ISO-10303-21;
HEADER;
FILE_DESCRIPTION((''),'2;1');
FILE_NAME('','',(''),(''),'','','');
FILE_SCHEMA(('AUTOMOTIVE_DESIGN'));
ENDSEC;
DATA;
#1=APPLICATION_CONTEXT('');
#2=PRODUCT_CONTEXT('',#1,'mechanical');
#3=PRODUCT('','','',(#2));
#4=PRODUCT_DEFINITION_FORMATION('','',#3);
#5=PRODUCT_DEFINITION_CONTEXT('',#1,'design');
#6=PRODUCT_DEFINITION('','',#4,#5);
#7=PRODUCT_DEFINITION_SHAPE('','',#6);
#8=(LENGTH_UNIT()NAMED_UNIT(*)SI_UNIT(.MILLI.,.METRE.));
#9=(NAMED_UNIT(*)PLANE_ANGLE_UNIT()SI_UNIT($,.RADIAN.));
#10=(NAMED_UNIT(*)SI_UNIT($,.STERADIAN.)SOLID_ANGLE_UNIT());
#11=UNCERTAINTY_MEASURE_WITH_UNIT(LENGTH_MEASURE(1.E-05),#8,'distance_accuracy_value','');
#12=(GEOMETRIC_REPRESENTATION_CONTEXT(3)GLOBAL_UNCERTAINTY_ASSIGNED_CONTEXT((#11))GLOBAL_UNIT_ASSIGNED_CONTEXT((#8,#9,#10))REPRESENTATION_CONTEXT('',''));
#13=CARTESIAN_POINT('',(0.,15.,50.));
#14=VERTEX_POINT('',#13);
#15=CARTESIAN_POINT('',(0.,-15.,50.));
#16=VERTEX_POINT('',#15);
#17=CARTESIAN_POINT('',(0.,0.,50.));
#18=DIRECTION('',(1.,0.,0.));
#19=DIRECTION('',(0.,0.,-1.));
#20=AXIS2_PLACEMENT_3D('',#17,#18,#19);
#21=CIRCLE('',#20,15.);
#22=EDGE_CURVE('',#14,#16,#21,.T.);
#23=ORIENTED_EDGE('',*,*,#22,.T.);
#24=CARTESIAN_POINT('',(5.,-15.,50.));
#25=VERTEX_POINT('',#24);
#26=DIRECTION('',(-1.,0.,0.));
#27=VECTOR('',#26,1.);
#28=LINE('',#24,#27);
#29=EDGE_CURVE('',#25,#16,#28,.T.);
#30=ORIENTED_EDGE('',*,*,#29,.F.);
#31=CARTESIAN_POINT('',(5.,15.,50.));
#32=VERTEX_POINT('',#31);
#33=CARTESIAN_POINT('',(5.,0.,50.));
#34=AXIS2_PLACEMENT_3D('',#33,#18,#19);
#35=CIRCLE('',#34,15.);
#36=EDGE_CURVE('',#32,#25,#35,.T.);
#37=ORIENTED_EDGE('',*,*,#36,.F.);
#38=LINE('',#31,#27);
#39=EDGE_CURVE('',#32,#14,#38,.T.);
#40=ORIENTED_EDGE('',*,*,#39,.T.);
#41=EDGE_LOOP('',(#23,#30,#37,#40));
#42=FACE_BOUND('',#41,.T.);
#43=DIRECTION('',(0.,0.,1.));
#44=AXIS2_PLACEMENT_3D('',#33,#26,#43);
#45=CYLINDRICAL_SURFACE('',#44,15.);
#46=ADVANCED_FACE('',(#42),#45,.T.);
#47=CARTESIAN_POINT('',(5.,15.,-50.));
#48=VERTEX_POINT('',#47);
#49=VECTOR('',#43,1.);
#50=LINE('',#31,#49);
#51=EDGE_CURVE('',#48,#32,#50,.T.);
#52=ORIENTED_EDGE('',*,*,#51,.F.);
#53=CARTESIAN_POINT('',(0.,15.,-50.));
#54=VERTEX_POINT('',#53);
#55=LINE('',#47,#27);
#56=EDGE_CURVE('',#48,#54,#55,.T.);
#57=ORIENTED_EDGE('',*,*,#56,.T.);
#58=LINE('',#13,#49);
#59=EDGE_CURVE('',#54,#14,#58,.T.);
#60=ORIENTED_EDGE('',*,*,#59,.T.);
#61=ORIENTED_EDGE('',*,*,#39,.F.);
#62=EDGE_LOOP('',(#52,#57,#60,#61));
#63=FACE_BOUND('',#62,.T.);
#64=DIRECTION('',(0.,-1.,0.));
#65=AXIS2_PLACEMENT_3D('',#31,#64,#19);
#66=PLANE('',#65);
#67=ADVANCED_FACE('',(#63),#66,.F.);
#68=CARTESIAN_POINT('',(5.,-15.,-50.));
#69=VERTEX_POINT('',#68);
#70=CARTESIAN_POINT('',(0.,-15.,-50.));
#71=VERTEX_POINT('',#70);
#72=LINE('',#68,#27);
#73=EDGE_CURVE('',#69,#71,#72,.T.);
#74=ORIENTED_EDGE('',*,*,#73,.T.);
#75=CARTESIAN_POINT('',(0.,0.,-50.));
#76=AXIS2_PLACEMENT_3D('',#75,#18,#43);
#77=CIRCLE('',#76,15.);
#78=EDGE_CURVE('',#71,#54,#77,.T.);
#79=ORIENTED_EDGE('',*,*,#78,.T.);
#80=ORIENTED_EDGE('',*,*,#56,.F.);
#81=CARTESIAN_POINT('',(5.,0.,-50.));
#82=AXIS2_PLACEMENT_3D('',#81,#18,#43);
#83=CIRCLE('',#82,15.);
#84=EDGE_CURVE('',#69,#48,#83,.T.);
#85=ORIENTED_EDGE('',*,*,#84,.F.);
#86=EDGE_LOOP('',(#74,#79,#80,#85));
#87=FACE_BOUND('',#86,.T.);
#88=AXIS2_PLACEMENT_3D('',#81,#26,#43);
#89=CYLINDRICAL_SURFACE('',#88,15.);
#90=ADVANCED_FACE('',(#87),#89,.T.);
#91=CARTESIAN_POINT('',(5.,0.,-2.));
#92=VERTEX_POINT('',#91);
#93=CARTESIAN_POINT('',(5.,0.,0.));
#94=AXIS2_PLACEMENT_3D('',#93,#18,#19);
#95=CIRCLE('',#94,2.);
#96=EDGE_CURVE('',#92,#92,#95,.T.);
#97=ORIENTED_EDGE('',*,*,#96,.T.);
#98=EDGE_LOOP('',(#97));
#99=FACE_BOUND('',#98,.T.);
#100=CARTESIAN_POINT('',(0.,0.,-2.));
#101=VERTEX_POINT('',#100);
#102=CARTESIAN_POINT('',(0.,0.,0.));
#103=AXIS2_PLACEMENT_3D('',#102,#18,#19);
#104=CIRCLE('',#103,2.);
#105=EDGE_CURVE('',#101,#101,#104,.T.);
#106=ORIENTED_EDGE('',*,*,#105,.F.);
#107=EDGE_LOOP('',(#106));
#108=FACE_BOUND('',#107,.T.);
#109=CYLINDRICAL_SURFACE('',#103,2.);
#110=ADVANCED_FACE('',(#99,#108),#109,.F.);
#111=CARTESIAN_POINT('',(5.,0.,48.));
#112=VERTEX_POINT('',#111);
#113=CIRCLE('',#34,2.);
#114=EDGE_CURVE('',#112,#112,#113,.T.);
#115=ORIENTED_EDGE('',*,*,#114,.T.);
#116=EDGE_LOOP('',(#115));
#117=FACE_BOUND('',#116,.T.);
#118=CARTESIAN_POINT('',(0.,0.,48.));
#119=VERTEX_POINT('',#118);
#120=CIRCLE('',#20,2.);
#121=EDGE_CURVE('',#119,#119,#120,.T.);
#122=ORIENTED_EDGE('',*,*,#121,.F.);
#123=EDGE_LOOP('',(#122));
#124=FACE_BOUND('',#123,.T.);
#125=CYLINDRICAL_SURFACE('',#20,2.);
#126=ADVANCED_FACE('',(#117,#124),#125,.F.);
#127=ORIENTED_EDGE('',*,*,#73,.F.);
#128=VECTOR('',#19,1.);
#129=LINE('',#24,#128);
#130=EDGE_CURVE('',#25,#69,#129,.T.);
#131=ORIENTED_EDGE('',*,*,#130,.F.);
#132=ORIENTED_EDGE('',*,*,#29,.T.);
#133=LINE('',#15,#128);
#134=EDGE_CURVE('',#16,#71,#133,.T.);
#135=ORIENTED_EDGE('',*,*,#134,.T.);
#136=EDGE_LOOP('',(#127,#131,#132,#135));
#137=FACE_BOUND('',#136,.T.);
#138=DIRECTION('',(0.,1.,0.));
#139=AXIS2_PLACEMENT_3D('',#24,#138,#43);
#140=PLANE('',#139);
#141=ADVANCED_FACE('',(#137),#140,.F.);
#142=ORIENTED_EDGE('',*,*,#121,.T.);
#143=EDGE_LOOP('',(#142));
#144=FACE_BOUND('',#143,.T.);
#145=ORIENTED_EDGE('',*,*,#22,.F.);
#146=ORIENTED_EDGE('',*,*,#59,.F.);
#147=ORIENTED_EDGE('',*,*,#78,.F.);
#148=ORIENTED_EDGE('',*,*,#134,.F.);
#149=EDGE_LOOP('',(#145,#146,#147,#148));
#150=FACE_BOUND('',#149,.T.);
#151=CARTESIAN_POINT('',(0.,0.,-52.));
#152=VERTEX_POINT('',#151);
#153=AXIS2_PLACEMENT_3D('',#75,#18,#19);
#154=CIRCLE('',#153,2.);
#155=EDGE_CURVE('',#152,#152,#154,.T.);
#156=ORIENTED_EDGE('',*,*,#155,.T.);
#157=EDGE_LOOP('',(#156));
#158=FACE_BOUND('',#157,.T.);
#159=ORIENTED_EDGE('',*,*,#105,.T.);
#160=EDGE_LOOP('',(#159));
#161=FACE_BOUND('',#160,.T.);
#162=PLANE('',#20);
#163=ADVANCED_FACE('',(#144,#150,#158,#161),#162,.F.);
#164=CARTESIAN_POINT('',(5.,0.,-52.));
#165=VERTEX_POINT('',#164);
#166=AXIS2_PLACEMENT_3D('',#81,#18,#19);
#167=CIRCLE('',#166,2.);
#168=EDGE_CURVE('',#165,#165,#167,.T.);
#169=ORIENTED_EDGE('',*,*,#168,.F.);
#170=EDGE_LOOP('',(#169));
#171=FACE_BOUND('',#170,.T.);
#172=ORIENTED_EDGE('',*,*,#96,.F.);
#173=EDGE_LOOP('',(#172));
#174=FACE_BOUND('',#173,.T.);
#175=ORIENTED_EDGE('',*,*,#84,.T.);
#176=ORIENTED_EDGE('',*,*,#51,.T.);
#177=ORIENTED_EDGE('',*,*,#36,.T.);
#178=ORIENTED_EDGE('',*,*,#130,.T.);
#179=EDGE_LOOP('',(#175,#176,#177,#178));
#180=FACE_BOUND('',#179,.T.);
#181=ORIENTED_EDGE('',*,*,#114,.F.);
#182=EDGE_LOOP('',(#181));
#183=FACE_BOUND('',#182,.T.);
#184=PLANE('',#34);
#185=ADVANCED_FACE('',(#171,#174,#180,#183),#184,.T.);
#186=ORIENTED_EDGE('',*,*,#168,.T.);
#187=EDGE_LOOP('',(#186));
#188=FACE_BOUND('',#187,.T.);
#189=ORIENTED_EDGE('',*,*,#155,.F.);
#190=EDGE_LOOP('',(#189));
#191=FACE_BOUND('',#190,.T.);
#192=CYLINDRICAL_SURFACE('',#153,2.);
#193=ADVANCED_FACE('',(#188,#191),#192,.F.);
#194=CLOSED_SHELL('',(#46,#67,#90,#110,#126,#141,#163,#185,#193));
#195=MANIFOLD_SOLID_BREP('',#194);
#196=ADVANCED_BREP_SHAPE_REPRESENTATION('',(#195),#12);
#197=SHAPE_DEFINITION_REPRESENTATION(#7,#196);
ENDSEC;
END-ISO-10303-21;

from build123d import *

# Parameters (mm, degrees)
ESTRUSIONE_ESTRUSIONE1_DEPTH = 5
SCHIZZO2_R                   = 2
TAGLIO_ESTRUSIONE1_DEPTH     = 6


with BuildPart() as part:
    # Schizzo1 → Estrusione-Estrusione1 (new body)
    with BuildSketch(Plane(origin=(0, 0, 0), x_dir=(0, 0, -1), z_dir=(1, 0, 0))):
        with BuildLine():
            Line((-50, 15), (50, 15))
            ThreePointArc((50, 15), (65, 0), (50, -15))
            Line((50, -15), (-50, -15))
            ThreePointArc((-50, -15), (-65, 0), (-50, 15))
        make_face()
    extrude(amount=ESTRUSIONE_ESTRUSIONE1_DEPTH)

    # Schizzo2 → Taglio-Estrusione1 (cut, through all)
    with BuildSketch(Plane(origin=(5, 0, 0), x_dir=(0, 0, -1), z_dir=(1, 0, 0))):
        with Locations((-50, 0)):
            Circle(SCHIZZO2_R)
        Circle(SCHIZZO2_R)
        with Locations((50, 0)):
            Circle(SCHIZZO2_R)
    extrude(amount=-TAGLIO_ESTRUSIONE1_DEPTH, mode=Mode.SUBTRACT)


solid = part.part
